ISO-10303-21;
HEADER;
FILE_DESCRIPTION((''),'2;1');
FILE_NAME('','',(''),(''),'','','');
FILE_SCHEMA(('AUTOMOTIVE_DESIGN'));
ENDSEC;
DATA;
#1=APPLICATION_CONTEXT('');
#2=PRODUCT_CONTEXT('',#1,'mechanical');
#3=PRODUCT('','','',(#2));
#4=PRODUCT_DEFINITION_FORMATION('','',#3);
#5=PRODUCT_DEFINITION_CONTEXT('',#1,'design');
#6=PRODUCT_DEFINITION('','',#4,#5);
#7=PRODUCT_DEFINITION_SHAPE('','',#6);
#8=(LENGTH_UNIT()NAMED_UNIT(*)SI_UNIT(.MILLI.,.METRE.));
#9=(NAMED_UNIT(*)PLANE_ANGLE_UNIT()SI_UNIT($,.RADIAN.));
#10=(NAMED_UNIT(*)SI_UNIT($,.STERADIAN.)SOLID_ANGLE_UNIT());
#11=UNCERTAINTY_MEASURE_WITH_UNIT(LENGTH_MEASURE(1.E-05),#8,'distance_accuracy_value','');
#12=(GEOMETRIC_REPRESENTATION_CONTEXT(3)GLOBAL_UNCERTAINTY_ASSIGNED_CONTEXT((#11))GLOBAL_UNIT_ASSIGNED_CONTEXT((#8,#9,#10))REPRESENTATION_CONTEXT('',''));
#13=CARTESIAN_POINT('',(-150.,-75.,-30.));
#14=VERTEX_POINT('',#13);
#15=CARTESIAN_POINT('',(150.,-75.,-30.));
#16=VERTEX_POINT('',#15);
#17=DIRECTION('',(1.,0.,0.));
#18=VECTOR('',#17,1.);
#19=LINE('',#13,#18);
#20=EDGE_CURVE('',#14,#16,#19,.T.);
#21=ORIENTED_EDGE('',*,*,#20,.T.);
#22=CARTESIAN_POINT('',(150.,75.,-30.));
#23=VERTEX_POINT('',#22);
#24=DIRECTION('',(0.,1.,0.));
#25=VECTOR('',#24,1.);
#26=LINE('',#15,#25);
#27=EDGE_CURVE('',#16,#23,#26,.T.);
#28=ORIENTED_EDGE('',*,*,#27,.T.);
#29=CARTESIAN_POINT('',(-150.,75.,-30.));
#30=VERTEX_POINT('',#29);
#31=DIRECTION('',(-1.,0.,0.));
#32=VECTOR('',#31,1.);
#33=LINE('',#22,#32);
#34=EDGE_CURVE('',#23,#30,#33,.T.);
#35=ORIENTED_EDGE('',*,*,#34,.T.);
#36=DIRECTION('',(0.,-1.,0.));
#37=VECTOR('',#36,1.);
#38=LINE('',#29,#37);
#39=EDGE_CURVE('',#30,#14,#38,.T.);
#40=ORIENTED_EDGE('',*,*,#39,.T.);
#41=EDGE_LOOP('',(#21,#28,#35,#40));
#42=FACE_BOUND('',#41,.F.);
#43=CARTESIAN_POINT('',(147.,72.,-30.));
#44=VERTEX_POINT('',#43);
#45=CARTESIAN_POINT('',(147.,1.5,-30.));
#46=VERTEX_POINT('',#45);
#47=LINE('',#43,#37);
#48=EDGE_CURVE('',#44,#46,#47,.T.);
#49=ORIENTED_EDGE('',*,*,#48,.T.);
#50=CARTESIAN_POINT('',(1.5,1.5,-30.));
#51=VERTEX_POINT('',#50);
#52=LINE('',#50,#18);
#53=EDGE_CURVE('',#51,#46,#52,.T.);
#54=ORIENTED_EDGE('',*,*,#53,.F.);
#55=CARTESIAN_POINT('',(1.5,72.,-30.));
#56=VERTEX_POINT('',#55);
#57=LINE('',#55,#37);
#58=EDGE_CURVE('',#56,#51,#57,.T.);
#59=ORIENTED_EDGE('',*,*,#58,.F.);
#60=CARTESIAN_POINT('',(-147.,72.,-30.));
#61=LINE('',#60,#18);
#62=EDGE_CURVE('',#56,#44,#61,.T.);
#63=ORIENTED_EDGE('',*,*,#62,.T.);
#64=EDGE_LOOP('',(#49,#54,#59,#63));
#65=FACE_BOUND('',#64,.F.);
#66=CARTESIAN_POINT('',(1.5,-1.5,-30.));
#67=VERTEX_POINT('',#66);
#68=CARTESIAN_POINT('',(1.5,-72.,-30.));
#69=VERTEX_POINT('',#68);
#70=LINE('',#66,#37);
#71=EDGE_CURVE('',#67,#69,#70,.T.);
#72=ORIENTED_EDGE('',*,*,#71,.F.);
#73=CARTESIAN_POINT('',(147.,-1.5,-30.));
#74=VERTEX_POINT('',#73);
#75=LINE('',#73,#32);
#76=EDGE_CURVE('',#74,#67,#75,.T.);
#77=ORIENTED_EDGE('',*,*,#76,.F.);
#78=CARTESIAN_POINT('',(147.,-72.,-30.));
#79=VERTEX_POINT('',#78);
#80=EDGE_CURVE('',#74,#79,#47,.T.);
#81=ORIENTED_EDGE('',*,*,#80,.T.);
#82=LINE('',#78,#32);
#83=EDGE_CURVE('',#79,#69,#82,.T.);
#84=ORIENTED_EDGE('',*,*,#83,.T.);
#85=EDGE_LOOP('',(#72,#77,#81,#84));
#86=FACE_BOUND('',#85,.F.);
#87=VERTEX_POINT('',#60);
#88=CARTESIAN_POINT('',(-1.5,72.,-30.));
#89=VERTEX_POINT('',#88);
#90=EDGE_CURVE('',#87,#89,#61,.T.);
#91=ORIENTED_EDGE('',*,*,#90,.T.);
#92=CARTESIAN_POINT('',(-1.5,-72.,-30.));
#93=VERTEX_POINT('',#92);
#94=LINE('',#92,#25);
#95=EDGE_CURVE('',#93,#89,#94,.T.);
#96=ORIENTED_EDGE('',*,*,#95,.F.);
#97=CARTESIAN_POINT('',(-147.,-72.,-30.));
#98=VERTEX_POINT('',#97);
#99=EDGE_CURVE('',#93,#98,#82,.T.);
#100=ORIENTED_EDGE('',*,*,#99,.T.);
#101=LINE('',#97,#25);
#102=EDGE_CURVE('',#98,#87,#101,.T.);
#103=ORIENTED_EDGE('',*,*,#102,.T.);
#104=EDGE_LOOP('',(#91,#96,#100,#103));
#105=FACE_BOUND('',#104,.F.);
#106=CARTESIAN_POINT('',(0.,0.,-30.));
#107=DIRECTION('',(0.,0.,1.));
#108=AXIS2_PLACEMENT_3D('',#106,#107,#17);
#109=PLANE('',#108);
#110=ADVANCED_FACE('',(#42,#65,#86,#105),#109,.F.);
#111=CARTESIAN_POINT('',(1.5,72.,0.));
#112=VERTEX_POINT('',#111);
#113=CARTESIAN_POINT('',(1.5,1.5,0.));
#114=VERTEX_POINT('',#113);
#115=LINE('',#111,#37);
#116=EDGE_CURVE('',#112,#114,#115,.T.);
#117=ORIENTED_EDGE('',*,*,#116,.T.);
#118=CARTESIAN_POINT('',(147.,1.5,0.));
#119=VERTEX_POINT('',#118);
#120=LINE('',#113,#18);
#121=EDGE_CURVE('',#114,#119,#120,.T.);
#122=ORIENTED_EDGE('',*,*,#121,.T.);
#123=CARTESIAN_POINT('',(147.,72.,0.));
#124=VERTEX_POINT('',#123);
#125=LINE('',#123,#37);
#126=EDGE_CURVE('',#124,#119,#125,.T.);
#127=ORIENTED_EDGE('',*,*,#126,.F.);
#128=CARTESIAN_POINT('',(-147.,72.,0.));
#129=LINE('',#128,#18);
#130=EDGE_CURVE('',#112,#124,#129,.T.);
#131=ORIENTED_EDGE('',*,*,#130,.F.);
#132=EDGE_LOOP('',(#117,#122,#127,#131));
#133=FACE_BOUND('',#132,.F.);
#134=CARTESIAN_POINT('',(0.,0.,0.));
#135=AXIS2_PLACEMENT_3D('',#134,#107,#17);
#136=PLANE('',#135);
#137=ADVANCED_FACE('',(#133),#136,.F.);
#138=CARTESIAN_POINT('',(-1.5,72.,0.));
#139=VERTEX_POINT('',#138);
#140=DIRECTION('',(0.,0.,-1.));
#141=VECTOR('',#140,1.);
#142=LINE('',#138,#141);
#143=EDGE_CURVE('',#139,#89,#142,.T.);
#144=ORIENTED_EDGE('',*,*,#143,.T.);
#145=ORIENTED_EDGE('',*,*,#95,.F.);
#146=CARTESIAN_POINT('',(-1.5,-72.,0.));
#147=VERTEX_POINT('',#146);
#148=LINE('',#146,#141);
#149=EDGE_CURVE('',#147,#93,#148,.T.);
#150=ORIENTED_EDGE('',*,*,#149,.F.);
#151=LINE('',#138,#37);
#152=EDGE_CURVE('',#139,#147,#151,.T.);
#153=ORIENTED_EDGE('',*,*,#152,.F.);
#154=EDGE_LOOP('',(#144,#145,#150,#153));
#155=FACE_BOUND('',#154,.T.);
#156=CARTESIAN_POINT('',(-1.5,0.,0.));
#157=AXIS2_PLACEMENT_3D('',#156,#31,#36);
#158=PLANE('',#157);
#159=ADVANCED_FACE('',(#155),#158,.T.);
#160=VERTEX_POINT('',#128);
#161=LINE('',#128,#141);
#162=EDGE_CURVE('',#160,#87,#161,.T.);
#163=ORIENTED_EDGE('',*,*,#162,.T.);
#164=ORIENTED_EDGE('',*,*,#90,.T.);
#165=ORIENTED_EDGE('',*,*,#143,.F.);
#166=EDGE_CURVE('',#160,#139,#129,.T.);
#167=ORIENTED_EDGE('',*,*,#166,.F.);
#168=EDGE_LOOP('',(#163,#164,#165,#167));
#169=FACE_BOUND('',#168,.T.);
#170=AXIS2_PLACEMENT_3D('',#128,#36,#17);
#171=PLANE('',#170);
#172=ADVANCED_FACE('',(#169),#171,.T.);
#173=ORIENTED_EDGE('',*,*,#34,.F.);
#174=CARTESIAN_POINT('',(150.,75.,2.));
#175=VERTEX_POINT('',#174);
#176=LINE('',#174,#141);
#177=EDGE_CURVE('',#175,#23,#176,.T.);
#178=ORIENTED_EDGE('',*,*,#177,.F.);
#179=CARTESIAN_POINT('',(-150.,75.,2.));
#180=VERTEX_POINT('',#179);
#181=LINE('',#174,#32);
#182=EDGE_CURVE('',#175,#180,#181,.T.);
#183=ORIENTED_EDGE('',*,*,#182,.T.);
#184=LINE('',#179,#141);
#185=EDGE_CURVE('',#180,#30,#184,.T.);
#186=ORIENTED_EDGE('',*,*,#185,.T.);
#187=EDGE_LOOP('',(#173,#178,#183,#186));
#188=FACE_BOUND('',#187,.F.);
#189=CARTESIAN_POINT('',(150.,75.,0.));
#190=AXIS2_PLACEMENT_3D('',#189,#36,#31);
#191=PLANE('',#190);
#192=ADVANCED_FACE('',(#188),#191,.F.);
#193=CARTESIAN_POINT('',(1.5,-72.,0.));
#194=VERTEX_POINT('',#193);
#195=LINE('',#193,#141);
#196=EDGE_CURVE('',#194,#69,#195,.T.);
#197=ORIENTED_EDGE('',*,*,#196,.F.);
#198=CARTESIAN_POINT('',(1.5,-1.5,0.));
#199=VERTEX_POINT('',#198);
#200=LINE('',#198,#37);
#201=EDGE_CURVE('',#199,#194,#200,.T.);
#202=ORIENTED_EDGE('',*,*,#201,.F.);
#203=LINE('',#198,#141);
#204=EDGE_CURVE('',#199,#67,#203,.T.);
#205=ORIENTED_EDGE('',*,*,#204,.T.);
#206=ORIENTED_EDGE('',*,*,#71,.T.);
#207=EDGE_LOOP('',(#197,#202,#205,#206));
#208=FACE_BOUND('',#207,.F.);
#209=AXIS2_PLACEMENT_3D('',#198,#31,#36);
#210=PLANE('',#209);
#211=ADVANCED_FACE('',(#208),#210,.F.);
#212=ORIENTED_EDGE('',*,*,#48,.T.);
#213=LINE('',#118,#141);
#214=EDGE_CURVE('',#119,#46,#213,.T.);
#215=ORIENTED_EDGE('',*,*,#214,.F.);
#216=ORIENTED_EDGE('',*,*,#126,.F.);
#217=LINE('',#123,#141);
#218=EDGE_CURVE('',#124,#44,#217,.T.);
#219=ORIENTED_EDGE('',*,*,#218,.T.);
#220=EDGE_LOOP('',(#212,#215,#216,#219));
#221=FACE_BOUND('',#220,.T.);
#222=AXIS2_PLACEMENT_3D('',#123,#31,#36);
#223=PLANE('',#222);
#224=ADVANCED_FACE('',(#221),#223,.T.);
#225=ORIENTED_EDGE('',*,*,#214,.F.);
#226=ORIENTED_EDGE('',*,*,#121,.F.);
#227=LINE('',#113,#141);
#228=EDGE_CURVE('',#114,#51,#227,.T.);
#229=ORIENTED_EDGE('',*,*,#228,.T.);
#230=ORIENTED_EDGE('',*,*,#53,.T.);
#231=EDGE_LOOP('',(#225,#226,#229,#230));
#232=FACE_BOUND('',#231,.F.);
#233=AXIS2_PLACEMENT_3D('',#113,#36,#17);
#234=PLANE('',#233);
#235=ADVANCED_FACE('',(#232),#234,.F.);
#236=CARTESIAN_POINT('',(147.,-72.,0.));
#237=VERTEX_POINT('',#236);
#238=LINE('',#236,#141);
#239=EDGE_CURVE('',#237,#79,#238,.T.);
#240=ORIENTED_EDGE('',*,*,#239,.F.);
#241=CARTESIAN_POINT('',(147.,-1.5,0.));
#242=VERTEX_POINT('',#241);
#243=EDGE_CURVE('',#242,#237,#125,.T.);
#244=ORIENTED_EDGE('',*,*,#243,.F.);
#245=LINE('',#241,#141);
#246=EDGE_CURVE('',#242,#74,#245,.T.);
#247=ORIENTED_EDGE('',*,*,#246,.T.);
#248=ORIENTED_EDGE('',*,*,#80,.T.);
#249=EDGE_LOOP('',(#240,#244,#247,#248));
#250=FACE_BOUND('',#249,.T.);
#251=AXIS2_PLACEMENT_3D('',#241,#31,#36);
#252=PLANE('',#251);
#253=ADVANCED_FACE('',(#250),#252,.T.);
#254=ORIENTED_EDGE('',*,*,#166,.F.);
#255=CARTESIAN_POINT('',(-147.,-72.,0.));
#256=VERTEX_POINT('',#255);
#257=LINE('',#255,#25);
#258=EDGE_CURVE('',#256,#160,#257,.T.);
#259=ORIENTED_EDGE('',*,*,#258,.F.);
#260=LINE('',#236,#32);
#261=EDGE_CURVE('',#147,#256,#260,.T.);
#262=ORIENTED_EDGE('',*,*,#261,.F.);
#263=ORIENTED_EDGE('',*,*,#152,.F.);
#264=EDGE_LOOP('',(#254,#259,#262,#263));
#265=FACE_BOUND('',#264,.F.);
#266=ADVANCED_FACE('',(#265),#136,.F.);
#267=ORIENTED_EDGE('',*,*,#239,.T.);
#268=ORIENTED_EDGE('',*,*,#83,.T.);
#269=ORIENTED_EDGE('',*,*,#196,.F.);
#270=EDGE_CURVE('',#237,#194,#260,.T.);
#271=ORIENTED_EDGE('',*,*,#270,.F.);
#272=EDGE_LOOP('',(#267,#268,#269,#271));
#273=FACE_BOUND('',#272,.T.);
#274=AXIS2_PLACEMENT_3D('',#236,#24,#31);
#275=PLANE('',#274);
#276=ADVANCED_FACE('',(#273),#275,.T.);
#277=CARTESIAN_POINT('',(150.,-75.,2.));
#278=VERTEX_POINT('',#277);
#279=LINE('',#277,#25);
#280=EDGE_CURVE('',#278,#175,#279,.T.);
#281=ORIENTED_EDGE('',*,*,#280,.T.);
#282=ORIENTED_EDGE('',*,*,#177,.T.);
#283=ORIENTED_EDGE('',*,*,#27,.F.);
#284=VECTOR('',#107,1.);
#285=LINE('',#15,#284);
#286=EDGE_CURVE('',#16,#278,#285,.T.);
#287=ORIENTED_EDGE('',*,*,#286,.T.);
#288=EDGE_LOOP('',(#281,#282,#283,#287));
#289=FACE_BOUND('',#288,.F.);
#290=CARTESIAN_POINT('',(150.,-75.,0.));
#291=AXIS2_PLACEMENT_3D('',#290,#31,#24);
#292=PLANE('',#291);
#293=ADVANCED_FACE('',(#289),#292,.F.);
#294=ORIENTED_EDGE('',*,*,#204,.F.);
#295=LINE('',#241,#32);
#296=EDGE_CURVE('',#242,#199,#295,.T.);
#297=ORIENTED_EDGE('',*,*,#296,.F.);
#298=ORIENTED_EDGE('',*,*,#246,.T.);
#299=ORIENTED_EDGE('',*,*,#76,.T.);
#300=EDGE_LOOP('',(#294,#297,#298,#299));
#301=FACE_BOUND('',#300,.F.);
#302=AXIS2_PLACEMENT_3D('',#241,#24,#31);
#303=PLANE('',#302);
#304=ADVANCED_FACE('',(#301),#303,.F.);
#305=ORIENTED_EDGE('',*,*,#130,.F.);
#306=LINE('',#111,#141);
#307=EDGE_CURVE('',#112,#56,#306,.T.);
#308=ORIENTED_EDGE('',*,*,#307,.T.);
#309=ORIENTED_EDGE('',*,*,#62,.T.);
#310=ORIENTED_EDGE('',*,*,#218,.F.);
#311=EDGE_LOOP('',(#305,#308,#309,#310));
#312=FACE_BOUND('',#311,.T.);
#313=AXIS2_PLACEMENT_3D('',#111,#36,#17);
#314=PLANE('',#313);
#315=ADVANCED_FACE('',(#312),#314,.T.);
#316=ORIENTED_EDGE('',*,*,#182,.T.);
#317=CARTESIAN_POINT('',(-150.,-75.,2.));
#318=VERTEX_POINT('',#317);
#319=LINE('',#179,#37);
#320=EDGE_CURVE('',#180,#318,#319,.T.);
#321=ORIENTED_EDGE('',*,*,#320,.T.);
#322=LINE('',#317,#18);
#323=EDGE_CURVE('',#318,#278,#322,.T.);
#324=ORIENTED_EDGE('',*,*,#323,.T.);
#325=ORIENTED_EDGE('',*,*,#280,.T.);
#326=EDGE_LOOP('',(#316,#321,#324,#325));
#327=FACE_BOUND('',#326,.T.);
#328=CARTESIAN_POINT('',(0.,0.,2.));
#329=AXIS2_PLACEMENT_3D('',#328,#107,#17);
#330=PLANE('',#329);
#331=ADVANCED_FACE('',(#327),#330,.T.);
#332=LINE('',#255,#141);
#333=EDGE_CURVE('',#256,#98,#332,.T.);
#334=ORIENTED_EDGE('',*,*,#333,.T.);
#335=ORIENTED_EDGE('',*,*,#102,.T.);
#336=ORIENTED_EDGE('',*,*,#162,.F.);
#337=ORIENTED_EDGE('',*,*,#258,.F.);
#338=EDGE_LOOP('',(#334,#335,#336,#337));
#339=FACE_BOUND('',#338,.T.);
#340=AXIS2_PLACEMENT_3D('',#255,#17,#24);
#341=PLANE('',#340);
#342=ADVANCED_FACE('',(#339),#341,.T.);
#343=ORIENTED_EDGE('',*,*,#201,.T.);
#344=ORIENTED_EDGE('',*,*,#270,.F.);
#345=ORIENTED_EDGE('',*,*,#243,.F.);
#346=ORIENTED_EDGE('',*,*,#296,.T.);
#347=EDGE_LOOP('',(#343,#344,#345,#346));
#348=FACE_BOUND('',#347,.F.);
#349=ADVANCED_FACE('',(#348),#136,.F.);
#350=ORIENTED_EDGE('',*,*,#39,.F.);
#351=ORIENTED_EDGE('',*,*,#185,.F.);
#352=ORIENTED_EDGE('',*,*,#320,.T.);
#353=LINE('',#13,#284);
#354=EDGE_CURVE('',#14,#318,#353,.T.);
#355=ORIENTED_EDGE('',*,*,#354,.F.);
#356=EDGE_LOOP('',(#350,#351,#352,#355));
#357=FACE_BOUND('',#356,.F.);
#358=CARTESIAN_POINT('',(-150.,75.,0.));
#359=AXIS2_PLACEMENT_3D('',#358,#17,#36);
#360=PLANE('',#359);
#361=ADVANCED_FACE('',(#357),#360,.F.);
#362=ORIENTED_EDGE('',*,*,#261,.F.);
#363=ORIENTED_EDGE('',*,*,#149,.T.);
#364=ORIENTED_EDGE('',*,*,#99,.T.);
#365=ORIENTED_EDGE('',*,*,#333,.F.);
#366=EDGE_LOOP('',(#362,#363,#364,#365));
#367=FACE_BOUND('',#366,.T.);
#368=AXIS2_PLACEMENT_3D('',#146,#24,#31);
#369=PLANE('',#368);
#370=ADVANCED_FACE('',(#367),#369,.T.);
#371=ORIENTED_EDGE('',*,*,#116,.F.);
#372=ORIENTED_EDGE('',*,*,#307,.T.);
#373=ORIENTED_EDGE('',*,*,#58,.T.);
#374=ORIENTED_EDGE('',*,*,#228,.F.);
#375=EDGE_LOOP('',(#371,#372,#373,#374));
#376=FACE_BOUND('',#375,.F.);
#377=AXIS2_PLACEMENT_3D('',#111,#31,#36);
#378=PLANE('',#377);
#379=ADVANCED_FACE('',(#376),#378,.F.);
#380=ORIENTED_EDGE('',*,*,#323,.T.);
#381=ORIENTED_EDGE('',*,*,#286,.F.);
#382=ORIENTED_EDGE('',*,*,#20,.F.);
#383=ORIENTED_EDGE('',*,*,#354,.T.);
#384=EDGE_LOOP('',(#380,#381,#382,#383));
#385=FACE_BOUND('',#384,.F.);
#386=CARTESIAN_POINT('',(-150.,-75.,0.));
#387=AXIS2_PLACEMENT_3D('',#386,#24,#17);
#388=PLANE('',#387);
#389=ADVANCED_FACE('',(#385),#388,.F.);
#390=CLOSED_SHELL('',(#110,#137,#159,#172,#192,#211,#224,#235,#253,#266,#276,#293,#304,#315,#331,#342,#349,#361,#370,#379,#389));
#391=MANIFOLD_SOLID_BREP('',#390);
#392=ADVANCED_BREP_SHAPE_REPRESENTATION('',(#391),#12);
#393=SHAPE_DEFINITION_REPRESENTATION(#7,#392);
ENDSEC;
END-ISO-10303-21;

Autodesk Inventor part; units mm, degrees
ref_plane "YZ Plane" through (0, 0, 0) normal (1, 0, 0) x (0, 1, 0)
ref_plane "XZ Plane" through (0, 0, 0) normal (0, 1, 0) x (-1, 0, 0)
ref_plane "XY Plane" through (0, 0, 0) normal (0, 0, 1) x (1, 0, 0)
sketch "Esboço1" plane through (0, 0, 0) normal (0, 0, 1) x (1, 0, 0)
  line L0 (-150, -75) -> (150, -75)
  line L1 (150, -75) -> (150, 75)
  line L2 (150, 75) -> (-150, 75)
  line L3 (-150, 75) -> (-150, -75)
  line L4 (-150, -75) -> (150, 75) construction
  line L5 (-147, 72) -> (147, 72)
  line L6 (147, 72) -> (147, -72)
  line L7 (147, -72) -> (-147, -72)
  line L8 (-147, -72) -> (-147, 72)
  line L9 (0, 72) -> (0, 0) construction
  line L10 (147, 0) -> (0, 0) construction
  line L11 (1.5, 72) -> (1.5, 1.5)
  line L12 (1.5, 1.5) -> (147, 1.5)
  line L13 (0, 0) -> (0, -72) construction
  line L14 (147, -1.5) -> (1.5, -1.5)
  line L15 (1.5, -1.5) -> (1.5, -72)
  line L16 (150, -75) -> (144, -72) construction
  line L17 (0, 0) -> (-150, 75) construction
  line L18 (-1.5, 72) -> (-1.5, 0)
  line L19 (-1.5, 0) -> (-1.5, -72)
  dimension "d0" = 150
  dimension "d1" = 300
  dimension "d2" = 3
  dimension "d3" = 1.5
  dimension "d5" = 1.5
  dimension "d6" = 1.5
  dimension "d7" = 1.5
extrude "Extrusão1" add sketch "Esboço1" along normal blind 2 contours L3 L2 L1 L0 | L5 L18 L19 L7 L8 | L5 L11 L12 L6 L14 L15 L7 L19 L18 | L5 L6 L12 L11 | L15 L14 L6 L7
extrude "Extrusão2" add sketch "Esboço1" against normal blind 30 contours L3 L2 L1 L0 | L5 L11 L12 L6 L14 L15 L7 L19 L18
sketch "Esboço2" plane through (150, -75, 2) normal (1, 0, 0) x (0, 0, -1)
  point P0 (2, 75)
properties part number "nsabo"
